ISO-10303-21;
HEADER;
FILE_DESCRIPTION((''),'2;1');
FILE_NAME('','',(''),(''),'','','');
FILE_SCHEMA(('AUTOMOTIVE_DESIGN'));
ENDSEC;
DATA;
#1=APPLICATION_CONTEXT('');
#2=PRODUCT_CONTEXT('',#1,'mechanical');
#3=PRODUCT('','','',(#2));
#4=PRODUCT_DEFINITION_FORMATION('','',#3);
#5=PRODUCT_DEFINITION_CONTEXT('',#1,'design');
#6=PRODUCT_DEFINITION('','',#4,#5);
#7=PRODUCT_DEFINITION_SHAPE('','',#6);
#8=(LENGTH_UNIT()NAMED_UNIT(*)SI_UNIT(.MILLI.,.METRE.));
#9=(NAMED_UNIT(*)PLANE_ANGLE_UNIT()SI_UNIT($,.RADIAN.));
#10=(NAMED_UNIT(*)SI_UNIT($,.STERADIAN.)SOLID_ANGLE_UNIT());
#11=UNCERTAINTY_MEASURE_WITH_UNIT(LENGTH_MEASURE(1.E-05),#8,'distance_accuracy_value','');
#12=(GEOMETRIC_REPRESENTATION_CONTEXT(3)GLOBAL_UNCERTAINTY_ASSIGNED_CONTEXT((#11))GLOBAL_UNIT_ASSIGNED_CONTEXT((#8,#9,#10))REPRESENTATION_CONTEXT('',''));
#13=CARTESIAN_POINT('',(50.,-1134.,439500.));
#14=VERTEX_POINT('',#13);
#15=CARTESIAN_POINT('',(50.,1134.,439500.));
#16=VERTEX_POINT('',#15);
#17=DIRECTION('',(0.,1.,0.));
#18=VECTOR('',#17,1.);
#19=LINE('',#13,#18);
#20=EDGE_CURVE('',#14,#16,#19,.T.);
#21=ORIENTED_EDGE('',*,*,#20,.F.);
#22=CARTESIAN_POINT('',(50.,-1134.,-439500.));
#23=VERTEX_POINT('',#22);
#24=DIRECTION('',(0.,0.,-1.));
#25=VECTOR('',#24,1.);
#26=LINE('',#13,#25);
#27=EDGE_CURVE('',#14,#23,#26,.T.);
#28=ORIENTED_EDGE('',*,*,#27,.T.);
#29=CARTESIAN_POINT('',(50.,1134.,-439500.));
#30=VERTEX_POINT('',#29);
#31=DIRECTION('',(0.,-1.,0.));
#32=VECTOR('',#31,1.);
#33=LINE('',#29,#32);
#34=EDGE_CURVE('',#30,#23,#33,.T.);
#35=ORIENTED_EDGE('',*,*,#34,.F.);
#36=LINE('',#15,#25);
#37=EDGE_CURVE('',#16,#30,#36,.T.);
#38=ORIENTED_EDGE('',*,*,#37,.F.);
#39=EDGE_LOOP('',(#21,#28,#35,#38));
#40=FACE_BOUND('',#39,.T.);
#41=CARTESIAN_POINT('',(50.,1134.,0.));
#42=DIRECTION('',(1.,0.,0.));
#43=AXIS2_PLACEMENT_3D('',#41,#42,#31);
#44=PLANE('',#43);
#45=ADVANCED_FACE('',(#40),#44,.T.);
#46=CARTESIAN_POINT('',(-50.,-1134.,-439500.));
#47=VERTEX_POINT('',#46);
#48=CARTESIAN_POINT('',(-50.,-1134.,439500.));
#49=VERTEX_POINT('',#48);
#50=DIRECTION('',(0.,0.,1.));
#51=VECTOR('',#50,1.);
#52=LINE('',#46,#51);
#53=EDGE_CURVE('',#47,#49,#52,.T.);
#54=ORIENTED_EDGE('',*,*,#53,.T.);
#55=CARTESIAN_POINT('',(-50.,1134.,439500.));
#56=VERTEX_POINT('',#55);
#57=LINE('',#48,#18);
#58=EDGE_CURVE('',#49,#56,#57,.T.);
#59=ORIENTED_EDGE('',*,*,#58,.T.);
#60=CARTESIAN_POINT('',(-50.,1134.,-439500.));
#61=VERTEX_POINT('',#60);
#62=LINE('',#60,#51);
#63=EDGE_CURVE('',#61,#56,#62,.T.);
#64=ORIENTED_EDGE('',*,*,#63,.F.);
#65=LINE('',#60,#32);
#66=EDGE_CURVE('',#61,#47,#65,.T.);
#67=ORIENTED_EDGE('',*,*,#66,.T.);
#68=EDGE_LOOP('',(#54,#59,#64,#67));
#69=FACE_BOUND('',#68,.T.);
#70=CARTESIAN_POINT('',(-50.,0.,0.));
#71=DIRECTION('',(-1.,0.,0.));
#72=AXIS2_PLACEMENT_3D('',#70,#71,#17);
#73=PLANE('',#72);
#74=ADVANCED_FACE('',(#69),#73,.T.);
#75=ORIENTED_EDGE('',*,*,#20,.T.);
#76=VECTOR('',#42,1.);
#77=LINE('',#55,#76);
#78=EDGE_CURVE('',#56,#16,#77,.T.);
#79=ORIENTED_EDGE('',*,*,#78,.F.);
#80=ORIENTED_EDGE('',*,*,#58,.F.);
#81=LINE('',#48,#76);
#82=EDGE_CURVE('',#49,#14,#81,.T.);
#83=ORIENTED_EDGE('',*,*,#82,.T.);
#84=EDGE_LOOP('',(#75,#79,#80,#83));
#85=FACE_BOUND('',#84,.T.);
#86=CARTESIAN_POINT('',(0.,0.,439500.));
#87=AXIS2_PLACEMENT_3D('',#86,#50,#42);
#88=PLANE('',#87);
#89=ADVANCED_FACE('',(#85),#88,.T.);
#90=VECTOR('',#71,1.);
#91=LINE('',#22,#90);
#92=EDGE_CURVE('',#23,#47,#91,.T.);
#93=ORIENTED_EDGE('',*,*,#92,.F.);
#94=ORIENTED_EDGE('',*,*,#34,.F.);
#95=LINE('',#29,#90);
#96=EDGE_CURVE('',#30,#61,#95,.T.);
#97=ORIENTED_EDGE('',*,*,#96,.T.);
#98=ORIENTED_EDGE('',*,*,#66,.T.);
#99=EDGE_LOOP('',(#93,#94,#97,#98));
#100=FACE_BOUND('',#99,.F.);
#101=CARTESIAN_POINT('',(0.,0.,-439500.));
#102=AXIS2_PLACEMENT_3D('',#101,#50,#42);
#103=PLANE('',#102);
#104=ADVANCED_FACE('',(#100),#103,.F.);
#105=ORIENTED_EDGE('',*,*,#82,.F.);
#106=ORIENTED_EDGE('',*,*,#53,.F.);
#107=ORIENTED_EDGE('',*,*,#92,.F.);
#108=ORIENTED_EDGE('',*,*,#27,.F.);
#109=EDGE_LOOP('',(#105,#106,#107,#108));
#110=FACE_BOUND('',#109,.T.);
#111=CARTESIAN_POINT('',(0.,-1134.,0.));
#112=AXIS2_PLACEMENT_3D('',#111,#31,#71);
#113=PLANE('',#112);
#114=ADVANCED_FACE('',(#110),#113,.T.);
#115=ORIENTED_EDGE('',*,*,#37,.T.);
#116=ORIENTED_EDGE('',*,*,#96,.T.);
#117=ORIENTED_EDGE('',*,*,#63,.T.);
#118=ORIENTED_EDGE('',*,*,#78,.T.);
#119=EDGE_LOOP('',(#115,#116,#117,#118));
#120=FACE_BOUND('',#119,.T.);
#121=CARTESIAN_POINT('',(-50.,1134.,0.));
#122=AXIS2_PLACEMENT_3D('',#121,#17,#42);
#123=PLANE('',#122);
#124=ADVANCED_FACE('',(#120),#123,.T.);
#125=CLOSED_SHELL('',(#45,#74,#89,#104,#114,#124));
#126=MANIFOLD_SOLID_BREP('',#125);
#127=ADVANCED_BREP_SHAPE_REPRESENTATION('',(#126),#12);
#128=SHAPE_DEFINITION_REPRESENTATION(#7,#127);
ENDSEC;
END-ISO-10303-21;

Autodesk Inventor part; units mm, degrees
ref_plane "YZ Plane" through (0, 0, 0) normal (1, 0, 0) x (0, 1, 0)
ref_plane "XZ Plane" through (0, 0, 0) normal (0, 1, 0) x (-1, 0, 0)
ref_plane "XY Plane" through (0, 0, 0) normal (0, 0, 1) x (1, 0, 0)
sketch "Sketch1" plane through (0, 0, 0) normal (0, 0, 1) x (1, 0, 0)
  line L0 (-50, 1134) -> (50, 1134)
  line L1 (50, 1134) -> (50, -1134)
  line L2 (50, -1134) -> (-50, -1134)
  line L3 (-50, -1134) -> (-50, 1134)
  line L4 (-70, 0) -> (70, 0) projected
  line L5 (0, -1587.6) -> (0, 1587.6) projected
  point P0 (0, 0)
  dimension "d0" = 2268
  dimension "d1" = 100
extrude "Extrusion1" add sketch "Sketch1" along normal mid plane 879000
properties part number "model"
